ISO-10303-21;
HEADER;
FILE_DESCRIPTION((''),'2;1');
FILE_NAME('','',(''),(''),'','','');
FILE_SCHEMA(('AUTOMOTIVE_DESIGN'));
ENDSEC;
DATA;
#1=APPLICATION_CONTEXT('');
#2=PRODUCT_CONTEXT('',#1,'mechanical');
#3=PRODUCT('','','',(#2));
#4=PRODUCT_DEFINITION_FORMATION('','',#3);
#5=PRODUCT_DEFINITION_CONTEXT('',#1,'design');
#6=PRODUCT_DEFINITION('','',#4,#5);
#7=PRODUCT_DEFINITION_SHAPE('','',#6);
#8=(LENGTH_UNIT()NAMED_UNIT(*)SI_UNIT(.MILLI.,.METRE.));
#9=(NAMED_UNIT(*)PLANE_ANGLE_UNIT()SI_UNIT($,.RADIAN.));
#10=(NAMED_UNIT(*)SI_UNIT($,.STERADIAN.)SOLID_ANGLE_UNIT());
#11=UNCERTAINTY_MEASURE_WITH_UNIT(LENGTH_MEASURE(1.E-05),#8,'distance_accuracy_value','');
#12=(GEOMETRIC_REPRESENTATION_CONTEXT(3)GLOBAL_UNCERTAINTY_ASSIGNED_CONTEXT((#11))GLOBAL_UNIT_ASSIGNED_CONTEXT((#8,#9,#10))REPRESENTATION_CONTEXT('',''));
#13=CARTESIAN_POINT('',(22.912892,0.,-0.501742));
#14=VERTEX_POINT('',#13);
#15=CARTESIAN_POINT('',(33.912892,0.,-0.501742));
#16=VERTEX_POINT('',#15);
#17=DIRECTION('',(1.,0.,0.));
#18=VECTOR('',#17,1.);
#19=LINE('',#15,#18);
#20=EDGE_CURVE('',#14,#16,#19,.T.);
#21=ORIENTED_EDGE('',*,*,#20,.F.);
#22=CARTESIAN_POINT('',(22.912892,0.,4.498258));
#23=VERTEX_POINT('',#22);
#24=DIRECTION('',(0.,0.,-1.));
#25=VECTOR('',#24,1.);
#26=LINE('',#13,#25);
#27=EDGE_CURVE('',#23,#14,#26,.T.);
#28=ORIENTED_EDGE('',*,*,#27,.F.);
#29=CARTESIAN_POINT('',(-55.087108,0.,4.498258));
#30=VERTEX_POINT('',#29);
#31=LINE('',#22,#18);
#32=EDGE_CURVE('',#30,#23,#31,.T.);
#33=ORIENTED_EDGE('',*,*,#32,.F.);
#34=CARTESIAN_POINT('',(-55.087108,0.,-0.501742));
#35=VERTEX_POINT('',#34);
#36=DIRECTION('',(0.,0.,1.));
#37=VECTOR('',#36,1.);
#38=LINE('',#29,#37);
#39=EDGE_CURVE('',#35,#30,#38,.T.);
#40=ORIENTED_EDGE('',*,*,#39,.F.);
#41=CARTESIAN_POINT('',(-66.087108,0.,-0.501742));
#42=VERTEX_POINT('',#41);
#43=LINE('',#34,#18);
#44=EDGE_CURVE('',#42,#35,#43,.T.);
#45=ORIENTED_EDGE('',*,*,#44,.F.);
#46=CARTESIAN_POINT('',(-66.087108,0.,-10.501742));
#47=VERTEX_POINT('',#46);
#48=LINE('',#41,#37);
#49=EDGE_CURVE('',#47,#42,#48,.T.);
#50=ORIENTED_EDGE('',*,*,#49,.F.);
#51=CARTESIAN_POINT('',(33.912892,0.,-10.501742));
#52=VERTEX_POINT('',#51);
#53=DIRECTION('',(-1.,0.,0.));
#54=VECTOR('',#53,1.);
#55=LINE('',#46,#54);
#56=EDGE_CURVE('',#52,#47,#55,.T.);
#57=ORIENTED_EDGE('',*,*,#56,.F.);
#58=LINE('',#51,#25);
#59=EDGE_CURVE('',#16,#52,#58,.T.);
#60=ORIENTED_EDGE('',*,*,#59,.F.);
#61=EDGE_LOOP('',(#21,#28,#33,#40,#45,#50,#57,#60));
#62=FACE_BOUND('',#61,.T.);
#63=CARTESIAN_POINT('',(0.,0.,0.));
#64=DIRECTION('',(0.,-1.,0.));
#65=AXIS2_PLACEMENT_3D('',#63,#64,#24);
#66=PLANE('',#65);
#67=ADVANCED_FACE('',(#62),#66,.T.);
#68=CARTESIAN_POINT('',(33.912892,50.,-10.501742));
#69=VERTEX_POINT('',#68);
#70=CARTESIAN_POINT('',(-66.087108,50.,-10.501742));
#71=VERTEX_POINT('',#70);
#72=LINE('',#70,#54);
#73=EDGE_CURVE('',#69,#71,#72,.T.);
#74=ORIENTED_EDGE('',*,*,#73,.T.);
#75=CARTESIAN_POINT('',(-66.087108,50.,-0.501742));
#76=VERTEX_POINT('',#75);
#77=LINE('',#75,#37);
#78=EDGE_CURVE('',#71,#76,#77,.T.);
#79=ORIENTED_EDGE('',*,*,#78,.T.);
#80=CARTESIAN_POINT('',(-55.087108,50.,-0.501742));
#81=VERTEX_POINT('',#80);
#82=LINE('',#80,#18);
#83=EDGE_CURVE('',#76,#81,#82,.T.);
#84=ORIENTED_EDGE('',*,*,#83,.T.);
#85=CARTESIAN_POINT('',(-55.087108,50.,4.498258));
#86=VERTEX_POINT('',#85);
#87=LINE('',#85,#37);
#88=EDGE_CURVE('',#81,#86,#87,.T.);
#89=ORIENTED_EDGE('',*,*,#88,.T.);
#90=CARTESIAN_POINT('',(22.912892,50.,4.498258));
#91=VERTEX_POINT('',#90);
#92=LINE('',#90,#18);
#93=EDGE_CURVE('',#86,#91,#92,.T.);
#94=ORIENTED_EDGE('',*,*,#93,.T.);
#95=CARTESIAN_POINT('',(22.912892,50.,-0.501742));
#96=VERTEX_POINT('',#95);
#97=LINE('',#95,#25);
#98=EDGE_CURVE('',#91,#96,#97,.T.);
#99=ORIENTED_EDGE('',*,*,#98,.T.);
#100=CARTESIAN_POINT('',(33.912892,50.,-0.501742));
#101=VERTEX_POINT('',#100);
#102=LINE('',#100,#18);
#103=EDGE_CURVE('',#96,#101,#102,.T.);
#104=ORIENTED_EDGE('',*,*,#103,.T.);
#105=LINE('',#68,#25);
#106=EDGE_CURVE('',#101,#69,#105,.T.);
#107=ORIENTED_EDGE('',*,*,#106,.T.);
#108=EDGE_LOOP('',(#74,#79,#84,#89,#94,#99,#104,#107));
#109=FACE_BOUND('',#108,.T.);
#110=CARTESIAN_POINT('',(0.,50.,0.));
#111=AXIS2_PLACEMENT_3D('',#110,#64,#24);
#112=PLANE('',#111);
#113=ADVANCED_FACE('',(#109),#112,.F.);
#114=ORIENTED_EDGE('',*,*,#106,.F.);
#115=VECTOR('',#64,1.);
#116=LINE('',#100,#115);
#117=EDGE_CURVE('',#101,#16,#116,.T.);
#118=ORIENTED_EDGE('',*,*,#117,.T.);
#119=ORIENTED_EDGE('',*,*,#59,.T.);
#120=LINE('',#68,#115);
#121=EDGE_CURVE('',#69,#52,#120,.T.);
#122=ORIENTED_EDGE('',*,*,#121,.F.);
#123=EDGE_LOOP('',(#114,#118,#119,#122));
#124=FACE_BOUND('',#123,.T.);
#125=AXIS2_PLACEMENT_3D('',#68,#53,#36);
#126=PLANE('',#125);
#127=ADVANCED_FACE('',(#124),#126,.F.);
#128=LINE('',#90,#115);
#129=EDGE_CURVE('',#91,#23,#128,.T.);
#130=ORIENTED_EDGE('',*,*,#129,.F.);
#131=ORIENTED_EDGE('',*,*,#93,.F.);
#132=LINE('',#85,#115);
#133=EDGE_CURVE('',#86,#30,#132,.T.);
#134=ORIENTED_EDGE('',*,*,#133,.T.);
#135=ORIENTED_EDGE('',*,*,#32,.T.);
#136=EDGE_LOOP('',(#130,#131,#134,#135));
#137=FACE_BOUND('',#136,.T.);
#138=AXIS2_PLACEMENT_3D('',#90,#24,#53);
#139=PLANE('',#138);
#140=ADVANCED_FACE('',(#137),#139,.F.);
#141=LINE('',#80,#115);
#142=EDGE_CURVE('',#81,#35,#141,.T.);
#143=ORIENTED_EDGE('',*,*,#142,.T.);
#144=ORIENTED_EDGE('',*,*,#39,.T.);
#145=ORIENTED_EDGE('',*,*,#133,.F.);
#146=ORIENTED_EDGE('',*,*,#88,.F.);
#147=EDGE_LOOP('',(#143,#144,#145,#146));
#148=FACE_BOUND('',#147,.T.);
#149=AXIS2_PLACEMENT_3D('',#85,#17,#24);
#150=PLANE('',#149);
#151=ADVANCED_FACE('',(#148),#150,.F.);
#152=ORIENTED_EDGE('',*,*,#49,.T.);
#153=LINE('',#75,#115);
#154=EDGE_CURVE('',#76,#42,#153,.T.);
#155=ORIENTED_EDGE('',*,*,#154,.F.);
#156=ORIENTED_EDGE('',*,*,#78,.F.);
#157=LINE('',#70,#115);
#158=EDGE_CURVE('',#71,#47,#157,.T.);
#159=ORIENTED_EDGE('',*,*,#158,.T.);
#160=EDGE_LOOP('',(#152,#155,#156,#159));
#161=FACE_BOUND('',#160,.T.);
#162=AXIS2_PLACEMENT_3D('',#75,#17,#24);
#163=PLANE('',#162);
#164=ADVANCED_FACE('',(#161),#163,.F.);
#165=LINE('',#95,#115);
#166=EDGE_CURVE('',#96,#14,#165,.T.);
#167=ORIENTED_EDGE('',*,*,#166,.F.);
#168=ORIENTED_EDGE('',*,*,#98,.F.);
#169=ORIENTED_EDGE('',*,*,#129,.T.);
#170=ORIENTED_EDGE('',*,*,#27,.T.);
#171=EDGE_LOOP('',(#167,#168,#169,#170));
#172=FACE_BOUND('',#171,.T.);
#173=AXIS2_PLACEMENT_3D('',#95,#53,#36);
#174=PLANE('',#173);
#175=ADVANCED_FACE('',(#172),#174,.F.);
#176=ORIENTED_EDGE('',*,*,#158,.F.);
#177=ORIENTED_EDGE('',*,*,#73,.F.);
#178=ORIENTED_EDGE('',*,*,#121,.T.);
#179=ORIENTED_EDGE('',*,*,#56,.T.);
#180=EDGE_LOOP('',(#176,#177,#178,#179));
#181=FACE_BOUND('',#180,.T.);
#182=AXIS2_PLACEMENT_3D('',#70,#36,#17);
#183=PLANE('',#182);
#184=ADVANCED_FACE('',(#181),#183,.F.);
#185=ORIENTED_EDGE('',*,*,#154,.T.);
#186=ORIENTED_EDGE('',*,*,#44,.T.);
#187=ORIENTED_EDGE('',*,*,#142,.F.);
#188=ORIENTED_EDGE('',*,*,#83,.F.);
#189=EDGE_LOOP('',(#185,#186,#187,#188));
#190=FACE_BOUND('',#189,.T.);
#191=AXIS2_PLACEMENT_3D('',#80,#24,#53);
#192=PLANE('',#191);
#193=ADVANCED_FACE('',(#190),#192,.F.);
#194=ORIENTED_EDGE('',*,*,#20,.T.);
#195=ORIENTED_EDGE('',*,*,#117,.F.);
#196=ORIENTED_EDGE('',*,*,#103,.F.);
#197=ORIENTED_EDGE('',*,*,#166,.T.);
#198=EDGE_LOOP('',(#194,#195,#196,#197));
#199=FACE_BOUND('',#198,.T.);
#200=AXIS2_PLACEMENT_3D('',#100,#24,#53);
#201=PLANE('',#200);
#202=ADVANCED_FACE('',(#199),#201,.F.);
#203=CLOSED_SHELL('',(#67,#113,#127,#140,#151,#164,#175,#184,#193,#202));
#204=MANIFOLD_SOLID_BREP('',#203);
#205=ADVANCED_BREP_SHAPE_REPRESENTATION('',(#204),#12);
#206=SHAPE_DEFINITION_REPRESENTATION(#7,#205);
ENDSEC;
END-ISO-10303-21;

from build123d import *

# Parameters (mm, degrees)
BOSS_EXTRUDE1_DEPTH = 50


with BuildPart() as part:
    # Sketch1 → Boss-Extrude1 (new body)
    with BuildSketch(Plane(origin=(0, 0, 0), x_dir=(1, 0, 0), z_dir=(0, 1, 0))):
        Polygon((-66.087108014, 10.50174216), (33.912891986, 10.50174216), (33.912891986, 0.50174216), (22.912891986, 0.50174216), (22.912891986, -4.49825784), (-55.087108014, -4.49825784), (-55.087108014, 0.50174216), (-66.087108014, 0.50174216), align=None)
    extrude(amount=BOSS_EXTRUDE1_DEPTH)


solid = part.part
